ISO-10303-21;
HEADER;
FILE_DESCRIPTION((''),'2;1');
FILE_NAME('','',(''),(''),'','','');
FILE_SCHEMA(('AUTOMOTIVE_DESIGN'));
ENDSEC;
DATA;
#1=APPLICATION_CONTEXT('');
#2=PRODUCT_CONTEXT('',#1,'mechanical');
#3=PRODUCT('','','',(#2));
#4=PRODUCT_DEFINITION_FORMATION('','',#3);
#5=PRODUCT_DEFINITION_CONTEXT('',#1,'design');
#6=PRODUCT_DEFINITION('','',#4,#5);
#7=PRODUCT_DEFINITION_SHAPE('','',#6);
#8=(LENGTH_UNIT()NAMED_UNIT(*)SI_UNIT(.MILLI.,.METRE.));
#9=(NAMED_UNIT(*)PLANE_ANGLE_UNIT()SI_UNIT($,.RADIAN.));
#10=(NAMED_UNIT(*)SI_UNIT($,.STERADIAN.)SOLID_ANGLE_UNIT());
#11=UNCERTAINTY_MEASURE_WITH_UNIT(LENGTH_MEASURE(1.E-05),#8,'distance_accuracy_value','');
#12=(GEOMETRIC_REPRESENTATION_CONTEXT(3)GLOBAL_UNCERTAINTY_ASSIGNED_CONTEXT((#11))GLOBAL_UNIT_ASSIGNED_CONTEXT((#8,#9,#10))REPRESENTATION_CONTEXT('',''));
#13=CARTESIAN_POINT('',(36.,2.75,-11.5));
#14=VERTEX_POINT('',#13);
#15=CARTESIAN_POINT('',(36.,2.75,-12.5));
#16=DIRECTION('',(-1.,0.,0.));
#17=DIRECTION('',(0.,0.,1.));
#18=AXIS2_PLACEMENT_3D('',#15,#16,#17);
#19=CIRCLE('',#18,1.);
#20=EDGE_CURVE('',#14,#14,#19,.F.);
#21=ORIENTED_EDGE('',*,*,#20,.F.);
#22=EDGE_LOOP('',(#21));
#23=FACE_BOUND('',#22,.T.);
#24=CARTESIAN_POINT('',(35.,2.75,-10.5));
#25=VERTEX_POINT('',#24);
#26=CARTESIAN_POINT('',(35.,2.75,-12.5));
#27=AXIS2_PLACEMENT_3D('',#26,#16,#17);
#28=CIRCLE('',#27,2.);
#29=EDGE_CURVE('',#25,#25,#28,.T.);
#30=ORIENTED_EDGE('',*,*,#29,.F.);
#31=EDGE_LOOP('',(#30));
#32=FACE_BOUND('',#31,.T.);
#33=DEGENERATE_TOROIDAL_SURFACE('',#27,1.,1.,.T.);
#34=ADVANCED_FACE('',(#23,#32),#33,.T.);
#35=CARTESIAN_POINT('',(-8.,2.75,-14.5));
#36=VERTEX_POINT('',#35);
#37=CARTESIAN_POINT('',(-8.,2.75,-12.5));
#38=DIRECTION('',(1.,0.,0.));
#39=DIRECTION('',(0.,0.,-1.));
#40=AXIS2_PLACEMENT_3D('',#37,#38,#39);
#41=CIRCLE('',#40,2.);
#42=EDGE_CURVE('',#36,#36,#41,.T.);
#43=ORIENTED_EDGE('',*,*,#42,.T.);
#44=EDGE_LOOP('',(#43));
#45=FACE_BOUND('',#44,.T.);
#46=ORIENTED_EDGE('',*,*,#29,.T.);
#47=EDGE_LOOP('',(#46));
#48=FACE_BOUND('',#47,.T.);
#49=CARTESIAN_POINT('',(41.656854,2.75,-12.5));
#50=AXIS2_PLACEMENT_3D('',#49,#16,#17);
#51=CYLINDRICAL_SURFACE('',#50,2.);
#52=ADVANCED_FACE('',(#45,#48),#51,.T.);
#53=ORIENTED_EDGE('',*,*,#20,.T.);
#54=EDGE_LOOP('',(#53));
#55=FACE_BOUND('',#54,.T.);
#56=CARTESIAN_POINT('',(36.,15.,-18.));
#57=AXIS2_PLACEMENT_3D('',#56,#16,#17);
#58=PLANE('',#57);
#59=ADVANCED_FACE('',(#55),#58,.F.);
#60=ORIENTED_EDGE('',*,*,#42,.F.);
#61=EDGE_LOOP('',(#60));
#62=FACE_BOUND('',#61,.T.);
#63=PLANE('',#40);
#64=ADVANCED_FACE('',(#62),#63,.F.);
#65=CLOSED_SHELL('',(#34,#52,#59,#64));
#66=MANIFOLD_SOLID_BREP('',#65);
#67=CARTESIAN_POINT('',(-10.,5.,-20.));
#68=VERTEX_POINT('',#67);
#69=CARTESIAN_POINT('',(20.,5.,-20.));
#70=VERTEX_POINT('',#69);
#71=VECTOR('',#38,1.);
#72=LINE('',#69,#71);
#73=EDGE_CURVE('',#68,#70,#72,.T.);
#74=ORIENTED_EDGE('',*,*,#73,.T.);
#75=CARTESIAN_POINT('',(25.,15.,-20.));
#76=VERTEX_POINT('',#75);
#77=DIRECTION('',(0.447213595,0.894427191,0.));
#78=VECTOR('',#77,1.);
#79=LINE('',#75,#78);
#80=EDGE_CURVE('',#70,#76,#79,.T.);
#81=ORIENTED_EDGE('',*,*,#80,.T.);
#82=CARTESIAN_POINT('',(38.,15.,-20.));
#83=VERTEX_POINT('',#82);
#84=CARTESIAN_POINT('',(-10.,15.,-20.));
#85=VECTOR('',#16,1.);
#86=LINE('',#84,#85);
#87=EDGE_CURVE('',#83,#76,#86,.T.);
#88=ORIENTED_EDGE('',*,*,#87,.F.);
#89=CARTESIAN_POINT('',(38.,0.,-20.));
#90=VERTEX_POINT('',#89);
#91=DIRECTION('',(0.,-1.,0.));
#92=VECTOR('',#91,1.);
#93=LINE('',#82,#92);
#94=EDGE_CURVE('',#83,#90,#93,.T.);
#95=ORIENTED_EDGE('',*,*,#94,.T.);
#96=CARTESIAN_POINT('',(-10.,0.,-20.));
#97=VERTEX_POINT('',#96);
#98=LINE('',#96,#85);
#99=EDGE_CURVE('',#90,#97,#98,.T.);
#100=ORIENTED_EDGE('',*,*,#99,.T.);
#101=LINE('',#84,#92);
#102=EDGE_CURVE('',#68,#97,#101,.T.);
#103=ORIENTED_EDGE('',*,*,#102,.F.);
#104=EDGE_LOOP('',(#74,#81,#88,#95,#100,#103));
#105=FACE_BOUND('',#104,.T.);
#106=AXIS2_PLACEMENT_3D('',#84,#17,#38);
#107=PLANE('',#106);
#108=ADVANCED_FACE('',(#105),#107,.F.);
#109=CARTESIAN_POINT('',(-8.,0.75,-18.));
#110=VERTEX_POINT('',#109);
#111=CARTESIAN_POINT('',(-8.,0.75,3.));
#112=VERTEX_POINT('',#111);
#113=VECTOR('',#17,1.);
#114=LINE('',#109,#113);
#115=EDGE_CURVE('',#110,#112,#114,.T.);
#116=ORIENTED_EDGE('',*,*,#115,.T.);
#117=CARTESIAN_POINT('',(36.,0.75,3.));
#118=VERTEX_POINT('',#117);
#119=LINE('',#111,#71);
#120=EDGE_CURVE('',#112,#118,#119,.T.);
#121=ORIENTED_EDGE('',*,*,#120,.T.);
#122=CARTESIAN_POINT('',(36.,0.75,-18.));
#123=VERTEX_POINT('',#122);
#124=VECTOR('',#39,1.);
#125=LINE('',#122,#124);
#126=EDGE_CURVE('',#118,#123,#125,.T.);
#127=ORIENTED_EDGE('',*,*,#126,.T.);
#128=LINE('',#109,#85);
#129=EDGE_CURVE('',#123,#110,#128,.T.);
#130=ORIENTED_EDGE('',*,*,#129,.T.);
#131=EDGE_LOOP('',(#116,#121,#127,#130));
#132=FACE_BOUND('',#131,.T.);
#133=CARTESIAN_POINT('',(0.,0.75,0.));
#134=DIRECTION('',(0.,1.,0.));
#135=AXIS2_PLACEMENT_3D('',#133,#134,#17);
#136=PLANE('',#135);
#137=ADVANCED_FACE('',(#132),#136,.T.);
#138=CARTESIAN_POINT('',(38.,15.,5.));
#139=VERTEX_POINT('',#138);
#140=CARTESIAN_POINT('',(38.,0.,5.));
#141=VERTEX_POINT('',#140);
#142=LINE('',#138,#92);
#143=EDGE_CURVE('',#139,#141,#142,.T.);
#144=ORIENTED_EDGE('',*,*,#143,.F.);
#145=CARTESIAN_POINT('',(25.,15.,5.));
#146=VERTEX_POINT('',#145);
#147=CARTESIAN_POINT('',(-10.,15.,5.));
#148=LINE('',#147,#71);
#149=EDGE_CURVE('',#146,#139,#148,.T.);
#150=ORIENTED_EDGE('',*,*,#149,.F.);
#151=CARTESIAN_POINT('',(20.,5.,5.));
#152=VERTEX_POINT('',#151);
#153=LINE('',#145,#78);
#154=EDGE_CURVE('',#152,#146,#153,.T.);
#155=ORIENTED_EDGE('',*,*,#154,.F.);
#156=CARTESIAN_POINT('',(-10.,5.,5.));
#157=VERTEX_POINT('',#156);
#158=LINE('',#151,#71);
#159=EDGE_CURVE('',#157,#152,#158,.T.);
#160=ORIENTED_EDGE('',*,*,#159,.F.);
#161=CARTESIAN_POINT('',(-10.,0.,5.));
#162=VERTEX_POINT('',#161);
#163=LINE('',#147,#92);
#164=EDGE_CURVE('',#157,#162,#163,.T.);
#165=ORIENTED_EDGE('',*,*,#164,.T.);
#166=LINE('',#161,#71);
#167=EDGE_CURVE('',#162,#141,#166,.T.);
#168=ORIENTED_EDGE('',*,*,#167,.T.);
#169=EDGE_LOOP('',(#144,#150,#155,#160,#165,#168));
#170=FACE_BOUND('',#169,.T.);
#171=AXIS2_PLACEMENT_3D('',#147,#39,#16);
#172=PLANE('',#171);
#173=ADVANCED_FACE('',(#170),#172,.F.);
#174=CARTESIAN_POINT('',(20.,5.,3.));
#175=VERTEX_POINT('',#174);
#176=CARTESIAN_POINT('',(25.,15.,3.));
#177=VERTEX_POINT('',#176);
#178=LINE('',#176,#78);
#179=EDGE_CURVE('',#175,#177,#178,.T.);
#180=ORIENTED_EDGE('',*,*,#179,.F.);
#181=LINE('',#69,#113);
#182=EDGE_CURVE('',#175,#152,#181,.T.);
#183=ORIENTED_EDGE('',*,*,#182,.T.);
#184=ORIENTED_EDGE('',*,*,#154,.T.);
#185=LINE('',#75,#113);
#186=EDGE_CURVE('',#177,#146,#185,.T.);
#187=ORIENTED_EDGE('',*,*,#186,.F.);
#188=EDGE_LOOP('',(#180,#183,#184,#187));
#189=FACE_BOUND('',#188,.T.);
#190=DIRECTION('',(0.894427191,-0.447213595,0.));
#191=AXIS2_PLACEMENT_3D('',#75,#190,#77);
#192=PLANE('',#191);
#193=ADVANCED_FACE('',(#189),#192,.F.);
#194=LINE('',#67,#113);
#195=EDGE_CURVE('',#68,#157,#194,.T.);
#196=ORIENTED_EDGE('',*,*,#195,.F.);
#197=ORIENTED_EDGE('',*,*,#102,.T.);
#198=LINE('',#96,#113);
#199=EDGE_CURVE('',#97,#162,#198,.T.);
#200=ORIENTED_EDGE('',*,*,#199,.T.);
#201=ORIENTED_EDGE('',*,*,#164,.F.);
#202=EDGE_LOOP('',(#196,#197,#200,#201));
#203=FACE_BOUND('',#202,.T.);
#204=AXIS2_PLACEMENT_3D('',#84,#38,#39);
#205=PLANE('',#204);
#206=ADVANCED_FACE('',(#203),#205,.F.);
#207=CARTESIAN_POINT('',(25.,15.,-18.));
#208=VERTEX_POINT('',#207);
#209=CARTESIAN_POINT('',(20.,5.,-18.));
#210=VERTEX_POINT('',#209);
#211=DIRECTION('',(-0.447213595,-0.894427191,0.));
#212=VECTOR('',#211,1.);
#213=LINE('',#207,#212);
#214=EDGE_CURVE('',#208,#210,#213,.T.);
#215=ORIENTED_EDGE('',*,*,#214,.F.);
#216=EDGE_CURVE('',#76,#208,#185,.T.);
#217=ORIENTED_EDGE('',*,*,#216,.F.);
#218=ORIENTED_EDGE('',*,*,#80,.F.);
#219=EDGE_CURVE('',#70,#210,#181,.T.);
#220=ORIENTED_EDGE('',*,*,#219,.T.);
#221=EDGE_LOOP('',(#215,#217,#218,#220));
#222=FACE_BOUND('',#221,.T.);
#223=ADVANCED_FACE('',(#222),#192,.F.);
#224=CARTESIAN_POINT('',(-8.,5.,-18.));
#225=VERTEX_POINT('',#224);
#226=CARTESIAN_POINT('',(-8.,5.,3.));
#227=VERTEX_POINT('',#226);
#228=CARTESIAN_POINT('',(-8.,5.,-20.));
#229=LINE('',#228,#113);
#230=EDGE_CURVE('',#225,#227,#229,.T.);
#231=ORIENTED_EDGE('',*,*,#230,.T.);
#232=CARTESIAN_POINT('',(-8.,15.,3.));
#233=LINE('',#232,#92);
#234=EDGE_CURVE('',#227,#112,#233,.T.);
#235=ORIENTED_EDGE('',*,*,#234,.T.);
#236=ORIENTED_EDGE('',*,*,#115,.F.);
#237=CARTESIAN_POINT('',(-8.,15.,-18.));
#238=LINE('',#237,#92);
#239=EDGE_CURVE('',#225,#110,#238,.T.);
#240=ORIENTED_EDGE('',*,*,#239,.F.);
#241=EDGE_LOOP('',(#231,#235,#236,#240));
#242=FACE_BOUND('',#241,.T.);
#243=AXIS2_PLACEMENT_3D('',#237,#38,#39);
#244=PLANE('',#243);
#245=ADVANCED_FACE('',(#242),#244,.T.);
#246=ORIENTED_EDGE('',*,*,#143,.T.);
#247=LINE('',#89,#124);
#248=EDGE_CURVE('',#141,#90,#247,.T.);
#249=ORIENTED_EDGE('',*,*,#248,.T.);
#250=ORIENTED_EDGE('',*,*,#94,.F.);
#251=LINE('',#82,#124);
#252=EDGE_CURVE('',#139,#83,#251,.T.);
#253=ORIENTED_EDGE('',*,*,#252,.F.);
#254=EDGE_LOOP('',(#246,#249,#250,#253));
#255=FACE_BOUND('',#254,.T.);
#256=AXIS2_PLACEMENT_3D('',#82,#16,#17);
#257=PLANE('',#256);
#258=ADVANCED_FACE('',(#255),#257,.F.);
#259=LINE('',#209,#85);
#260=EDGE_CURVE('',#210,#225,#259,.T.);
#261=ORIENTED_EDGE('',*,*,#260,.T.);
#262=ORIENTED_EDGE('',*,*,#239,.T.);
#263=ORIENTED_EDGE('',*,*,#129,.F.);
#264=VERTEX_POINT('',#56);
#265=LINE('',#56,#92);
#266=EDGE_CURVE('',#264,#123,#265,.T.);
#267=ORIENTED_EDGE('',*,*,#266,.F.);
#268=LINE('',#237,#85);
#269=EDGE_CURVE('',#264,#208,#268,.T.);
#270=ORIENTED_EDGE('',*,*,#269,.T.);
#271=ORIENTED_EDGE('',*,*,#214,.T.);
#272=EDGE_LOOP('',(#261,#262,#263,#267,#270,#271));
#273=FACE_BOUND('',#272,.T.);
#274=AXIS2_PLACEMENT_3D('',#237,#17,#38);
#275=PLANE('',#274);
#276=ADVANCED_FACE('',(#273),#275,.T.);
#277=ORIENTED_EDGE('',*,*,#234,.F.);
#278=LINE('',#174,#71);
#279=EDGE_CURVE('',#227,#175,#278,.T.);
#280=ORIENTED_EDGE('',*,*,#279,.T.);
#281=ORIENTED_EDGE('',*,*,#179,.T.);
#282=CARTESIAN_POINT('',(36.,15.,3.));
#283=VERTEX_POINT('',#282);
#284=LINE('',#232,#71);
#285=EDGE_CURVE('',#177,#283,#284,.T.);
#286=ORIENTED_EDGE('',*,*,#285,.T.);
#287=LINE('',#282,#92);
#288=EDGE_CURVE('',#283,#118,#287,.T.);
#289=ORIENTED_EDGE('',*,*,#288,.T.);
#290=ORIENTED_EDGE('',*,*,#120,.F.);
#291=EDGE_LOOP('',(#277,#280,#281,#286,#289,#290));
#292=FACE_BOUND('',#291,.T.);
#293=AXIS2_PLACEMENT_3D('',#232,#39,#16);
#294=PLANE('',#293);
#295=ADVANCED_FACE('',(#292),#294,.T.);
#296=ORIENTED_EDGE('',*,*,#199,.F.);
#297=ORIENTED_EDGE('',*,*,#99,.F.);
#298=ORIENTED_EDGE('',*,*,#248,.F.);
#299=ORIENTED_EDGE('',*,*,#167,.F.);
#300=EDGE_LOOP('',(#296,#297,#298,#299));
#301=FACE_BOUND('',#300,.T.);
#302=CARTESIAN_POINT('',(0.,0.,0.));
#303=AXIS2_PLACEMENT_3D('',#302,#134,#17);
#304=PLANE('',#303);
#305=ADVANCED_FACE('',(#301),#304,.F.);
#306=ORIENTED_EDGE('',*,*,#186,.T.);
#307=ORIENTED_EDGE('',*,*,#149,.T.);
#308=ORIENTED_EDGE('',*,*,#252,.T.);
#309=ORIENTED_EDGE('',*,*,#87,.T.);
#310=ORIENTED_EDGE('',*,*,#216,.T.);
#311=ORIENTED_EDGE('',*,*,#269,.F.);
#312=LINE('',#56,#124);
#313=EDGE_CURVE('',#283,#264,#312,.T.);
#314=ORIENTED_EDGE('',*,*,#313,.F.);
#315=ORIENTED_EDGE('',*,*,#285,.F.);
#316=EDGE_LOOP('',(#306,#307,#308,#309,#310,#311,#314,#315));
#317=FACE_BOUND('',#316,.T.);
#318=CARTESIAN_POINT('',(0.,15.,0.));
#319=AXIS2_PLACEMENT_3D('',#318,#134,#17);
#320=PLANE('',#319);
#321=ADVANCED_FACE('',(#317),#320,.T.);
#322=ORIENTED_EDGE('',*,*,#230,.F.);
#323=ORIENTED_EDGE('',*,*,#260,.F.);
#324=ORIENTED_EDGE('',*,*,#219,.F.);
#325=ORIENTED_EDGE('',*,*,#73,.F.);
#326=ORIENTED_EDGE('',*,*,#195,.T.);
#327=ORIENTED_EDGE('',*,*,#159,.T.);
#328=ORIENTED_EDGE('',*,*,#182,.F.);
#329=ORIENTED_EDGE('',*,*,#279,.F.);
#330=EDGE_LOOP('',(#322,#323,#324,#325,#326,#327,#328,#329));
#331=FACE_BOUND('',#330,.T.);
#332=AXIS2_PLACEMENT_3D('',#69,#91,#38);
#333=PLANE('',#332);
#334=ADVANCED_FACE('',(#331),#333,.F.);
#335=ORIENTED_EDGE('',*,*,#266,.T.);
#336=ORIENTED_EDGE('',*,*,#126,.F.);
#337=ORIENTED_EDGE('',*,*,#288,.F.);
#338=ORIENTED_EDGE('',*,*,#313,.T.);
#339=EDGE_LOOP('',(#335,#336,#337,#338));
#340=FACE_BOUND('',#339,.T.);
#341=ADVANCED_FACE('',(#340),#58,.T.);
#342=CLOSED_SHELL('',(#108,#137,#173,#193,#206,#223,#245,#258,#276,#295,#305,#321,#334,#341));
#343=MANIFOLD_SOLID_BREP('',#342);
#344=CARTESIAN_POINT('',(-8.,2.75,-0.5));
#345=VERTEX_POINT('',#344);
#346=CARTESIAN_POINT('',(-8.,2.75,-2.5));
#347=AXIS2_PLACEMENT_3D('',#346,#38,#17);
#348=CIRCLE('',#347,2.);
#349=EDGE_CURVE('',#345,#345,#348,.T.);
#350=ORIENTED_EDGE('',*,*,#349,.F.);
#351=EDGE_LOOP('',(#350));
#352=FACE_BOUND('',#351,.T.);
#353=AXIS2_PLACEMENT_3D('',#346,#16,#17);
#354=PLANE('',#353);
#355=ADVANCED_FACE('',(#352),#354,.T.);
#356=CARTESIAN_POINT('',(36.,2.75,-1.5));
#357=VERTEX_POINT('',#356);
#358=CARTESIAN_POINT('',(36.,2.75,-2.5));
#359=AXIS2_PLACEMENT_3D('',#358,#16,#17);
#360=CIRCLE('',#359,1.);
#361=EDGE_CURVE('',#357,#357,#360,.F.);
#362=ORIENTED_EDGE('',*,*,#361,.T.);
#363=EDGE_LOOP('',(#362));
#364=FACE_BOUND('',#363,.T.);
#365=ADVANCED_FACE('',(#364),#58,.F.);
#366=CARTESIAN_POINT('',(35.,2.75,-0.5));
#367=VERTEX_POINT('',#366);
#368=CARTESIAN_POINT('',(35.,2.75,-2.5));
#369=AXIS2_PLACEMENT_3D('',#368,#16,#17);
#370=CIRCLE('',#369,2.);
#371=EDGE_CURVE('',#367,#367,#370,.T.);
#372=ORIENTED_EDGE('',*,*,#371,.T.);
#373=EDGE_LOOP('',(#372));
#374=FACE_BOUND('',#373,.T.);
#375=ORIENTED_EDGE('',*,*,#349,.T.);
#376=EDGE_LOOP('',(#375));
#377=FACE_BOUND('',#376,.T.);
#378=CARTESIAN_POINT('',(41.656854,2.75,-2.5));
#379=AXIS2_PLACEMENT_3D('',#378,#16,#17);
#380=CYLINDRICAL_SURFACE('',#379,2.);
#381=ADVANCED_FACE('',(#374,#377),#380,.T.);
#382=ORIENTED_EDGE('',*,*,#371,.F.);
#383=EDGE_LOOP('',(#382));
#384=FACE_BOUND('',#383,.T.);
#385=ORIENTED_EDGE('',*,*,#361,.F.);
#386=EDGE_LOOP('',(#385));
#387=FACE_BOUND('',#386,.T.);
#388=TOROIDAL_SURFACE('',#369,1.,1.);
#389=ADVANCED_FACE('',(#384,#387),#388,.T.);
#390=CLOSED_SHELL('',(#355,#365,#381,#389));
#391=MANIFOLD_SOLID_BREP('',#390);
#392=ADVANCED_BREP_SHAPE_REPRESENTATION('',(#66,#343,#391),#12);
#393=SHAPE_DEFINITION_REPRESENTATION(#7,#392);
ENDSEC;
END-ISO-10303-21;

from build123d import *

# Parameters (mm, degrees)
SKETCH1_W             = 48
SKETCH1_H             = 25
BOSS_EXTRUDE1_DEPTH   = 15
CUT_EXTRUDE1_DEPTH    = 26
SKETCH4_W             = 44
SKETCH4_H             = 21
CUT_EXTRUDE2_DEPTH    = 15.25
SKETCH5_R             = 2
BOSS_EXTRUDE4_DEPTH   = 44
BOSS_EXTRUDE4_2_DEPTH = 44
FILLET1_R             = 1
FILLET3_R             = 1


with BuildPart() as part:
    # Sketch1 → Boss-Extrude1 (new body)
    with BuildSketch(Plane(origin=(0, 0, 0), x_dir=(1, 0, 0), z_dir=(0, 1, 0))):
        with Locations((14, 7.5)):
            Rectangle(SKETCH1_W, SKETCH1_H)
    extrude(amount=BOSS_EXTRUDE1_DEPTH)

    # Sketch2 → Cut-Extrude1 (cut, through all)
    with BuildSketch(Plane.XY.offset(5)):
        Polygon((25, 15), (20, 5), (-10, 5), (-10, 15), align=None)
    extrude(amount=-CUT_EXTRUDE1_DEPTH, mode=Mode.SUBTRACT)

    # Sketch4 → Cut-Extrude2 (cut, through all)
    with BuildSketch(Plane(origin=(0, 0.75, 0), x_dir=(1, 0, 0), z_dir=(0, 1, 0))):
        with Locations((14, 7.5)):
            Rectangle(SKETCH4_W, SKETCH4_H)
    extrude(amount=CUT_EXTRUDE2_DEPTH, mode=Mode.SUBTRACT)


with BuildPart() as body_2:
    # Sketch5 → Boss-Extrude4 (new body)
    with BuildSketch(Plane(origin=(-8, 0, 0), x_dir=(0, 0, -1), z_dir=(1, 0, 0))):
        with Locations((12.5, 2.75)):
            Circle(SKETCH5_R)
    extrude(amount=BOSS_EXTRUDE4_DEPTH)

    # Fillet1
    fillet1_edges = [body_2.edges().sort_by_distance(p)[0] for p in [
        (36, 2.75, -10.5),
    ]]
    fillet(fillet1_edges, radius=FILLET1_R)


with BuildPart() as body_3:
    # Sketch5 → Boss-Extrude4 2 (new body)
    with BuildSketch(Plane(origin=(-8, 0, 0), x_dir=(0, 0, -1), z_dir=(1, 0, 0))):
        with Locations((2.5, 2.75)):
            Circle(SKETCH5_R)
    extrude(amount=BOSS_EXTRUDE4_2_DEPTH)

    # Fillet3
    fillet3_edges = [body_3.edges().sort_by_distance(p)[0] for p in [
        (36, 2.75, -0.5),
    ]]
    fillet(fillet3_edges, radius=FILLET3_R)


solid = Compound([part.part, body_2.part, body_3.part])
